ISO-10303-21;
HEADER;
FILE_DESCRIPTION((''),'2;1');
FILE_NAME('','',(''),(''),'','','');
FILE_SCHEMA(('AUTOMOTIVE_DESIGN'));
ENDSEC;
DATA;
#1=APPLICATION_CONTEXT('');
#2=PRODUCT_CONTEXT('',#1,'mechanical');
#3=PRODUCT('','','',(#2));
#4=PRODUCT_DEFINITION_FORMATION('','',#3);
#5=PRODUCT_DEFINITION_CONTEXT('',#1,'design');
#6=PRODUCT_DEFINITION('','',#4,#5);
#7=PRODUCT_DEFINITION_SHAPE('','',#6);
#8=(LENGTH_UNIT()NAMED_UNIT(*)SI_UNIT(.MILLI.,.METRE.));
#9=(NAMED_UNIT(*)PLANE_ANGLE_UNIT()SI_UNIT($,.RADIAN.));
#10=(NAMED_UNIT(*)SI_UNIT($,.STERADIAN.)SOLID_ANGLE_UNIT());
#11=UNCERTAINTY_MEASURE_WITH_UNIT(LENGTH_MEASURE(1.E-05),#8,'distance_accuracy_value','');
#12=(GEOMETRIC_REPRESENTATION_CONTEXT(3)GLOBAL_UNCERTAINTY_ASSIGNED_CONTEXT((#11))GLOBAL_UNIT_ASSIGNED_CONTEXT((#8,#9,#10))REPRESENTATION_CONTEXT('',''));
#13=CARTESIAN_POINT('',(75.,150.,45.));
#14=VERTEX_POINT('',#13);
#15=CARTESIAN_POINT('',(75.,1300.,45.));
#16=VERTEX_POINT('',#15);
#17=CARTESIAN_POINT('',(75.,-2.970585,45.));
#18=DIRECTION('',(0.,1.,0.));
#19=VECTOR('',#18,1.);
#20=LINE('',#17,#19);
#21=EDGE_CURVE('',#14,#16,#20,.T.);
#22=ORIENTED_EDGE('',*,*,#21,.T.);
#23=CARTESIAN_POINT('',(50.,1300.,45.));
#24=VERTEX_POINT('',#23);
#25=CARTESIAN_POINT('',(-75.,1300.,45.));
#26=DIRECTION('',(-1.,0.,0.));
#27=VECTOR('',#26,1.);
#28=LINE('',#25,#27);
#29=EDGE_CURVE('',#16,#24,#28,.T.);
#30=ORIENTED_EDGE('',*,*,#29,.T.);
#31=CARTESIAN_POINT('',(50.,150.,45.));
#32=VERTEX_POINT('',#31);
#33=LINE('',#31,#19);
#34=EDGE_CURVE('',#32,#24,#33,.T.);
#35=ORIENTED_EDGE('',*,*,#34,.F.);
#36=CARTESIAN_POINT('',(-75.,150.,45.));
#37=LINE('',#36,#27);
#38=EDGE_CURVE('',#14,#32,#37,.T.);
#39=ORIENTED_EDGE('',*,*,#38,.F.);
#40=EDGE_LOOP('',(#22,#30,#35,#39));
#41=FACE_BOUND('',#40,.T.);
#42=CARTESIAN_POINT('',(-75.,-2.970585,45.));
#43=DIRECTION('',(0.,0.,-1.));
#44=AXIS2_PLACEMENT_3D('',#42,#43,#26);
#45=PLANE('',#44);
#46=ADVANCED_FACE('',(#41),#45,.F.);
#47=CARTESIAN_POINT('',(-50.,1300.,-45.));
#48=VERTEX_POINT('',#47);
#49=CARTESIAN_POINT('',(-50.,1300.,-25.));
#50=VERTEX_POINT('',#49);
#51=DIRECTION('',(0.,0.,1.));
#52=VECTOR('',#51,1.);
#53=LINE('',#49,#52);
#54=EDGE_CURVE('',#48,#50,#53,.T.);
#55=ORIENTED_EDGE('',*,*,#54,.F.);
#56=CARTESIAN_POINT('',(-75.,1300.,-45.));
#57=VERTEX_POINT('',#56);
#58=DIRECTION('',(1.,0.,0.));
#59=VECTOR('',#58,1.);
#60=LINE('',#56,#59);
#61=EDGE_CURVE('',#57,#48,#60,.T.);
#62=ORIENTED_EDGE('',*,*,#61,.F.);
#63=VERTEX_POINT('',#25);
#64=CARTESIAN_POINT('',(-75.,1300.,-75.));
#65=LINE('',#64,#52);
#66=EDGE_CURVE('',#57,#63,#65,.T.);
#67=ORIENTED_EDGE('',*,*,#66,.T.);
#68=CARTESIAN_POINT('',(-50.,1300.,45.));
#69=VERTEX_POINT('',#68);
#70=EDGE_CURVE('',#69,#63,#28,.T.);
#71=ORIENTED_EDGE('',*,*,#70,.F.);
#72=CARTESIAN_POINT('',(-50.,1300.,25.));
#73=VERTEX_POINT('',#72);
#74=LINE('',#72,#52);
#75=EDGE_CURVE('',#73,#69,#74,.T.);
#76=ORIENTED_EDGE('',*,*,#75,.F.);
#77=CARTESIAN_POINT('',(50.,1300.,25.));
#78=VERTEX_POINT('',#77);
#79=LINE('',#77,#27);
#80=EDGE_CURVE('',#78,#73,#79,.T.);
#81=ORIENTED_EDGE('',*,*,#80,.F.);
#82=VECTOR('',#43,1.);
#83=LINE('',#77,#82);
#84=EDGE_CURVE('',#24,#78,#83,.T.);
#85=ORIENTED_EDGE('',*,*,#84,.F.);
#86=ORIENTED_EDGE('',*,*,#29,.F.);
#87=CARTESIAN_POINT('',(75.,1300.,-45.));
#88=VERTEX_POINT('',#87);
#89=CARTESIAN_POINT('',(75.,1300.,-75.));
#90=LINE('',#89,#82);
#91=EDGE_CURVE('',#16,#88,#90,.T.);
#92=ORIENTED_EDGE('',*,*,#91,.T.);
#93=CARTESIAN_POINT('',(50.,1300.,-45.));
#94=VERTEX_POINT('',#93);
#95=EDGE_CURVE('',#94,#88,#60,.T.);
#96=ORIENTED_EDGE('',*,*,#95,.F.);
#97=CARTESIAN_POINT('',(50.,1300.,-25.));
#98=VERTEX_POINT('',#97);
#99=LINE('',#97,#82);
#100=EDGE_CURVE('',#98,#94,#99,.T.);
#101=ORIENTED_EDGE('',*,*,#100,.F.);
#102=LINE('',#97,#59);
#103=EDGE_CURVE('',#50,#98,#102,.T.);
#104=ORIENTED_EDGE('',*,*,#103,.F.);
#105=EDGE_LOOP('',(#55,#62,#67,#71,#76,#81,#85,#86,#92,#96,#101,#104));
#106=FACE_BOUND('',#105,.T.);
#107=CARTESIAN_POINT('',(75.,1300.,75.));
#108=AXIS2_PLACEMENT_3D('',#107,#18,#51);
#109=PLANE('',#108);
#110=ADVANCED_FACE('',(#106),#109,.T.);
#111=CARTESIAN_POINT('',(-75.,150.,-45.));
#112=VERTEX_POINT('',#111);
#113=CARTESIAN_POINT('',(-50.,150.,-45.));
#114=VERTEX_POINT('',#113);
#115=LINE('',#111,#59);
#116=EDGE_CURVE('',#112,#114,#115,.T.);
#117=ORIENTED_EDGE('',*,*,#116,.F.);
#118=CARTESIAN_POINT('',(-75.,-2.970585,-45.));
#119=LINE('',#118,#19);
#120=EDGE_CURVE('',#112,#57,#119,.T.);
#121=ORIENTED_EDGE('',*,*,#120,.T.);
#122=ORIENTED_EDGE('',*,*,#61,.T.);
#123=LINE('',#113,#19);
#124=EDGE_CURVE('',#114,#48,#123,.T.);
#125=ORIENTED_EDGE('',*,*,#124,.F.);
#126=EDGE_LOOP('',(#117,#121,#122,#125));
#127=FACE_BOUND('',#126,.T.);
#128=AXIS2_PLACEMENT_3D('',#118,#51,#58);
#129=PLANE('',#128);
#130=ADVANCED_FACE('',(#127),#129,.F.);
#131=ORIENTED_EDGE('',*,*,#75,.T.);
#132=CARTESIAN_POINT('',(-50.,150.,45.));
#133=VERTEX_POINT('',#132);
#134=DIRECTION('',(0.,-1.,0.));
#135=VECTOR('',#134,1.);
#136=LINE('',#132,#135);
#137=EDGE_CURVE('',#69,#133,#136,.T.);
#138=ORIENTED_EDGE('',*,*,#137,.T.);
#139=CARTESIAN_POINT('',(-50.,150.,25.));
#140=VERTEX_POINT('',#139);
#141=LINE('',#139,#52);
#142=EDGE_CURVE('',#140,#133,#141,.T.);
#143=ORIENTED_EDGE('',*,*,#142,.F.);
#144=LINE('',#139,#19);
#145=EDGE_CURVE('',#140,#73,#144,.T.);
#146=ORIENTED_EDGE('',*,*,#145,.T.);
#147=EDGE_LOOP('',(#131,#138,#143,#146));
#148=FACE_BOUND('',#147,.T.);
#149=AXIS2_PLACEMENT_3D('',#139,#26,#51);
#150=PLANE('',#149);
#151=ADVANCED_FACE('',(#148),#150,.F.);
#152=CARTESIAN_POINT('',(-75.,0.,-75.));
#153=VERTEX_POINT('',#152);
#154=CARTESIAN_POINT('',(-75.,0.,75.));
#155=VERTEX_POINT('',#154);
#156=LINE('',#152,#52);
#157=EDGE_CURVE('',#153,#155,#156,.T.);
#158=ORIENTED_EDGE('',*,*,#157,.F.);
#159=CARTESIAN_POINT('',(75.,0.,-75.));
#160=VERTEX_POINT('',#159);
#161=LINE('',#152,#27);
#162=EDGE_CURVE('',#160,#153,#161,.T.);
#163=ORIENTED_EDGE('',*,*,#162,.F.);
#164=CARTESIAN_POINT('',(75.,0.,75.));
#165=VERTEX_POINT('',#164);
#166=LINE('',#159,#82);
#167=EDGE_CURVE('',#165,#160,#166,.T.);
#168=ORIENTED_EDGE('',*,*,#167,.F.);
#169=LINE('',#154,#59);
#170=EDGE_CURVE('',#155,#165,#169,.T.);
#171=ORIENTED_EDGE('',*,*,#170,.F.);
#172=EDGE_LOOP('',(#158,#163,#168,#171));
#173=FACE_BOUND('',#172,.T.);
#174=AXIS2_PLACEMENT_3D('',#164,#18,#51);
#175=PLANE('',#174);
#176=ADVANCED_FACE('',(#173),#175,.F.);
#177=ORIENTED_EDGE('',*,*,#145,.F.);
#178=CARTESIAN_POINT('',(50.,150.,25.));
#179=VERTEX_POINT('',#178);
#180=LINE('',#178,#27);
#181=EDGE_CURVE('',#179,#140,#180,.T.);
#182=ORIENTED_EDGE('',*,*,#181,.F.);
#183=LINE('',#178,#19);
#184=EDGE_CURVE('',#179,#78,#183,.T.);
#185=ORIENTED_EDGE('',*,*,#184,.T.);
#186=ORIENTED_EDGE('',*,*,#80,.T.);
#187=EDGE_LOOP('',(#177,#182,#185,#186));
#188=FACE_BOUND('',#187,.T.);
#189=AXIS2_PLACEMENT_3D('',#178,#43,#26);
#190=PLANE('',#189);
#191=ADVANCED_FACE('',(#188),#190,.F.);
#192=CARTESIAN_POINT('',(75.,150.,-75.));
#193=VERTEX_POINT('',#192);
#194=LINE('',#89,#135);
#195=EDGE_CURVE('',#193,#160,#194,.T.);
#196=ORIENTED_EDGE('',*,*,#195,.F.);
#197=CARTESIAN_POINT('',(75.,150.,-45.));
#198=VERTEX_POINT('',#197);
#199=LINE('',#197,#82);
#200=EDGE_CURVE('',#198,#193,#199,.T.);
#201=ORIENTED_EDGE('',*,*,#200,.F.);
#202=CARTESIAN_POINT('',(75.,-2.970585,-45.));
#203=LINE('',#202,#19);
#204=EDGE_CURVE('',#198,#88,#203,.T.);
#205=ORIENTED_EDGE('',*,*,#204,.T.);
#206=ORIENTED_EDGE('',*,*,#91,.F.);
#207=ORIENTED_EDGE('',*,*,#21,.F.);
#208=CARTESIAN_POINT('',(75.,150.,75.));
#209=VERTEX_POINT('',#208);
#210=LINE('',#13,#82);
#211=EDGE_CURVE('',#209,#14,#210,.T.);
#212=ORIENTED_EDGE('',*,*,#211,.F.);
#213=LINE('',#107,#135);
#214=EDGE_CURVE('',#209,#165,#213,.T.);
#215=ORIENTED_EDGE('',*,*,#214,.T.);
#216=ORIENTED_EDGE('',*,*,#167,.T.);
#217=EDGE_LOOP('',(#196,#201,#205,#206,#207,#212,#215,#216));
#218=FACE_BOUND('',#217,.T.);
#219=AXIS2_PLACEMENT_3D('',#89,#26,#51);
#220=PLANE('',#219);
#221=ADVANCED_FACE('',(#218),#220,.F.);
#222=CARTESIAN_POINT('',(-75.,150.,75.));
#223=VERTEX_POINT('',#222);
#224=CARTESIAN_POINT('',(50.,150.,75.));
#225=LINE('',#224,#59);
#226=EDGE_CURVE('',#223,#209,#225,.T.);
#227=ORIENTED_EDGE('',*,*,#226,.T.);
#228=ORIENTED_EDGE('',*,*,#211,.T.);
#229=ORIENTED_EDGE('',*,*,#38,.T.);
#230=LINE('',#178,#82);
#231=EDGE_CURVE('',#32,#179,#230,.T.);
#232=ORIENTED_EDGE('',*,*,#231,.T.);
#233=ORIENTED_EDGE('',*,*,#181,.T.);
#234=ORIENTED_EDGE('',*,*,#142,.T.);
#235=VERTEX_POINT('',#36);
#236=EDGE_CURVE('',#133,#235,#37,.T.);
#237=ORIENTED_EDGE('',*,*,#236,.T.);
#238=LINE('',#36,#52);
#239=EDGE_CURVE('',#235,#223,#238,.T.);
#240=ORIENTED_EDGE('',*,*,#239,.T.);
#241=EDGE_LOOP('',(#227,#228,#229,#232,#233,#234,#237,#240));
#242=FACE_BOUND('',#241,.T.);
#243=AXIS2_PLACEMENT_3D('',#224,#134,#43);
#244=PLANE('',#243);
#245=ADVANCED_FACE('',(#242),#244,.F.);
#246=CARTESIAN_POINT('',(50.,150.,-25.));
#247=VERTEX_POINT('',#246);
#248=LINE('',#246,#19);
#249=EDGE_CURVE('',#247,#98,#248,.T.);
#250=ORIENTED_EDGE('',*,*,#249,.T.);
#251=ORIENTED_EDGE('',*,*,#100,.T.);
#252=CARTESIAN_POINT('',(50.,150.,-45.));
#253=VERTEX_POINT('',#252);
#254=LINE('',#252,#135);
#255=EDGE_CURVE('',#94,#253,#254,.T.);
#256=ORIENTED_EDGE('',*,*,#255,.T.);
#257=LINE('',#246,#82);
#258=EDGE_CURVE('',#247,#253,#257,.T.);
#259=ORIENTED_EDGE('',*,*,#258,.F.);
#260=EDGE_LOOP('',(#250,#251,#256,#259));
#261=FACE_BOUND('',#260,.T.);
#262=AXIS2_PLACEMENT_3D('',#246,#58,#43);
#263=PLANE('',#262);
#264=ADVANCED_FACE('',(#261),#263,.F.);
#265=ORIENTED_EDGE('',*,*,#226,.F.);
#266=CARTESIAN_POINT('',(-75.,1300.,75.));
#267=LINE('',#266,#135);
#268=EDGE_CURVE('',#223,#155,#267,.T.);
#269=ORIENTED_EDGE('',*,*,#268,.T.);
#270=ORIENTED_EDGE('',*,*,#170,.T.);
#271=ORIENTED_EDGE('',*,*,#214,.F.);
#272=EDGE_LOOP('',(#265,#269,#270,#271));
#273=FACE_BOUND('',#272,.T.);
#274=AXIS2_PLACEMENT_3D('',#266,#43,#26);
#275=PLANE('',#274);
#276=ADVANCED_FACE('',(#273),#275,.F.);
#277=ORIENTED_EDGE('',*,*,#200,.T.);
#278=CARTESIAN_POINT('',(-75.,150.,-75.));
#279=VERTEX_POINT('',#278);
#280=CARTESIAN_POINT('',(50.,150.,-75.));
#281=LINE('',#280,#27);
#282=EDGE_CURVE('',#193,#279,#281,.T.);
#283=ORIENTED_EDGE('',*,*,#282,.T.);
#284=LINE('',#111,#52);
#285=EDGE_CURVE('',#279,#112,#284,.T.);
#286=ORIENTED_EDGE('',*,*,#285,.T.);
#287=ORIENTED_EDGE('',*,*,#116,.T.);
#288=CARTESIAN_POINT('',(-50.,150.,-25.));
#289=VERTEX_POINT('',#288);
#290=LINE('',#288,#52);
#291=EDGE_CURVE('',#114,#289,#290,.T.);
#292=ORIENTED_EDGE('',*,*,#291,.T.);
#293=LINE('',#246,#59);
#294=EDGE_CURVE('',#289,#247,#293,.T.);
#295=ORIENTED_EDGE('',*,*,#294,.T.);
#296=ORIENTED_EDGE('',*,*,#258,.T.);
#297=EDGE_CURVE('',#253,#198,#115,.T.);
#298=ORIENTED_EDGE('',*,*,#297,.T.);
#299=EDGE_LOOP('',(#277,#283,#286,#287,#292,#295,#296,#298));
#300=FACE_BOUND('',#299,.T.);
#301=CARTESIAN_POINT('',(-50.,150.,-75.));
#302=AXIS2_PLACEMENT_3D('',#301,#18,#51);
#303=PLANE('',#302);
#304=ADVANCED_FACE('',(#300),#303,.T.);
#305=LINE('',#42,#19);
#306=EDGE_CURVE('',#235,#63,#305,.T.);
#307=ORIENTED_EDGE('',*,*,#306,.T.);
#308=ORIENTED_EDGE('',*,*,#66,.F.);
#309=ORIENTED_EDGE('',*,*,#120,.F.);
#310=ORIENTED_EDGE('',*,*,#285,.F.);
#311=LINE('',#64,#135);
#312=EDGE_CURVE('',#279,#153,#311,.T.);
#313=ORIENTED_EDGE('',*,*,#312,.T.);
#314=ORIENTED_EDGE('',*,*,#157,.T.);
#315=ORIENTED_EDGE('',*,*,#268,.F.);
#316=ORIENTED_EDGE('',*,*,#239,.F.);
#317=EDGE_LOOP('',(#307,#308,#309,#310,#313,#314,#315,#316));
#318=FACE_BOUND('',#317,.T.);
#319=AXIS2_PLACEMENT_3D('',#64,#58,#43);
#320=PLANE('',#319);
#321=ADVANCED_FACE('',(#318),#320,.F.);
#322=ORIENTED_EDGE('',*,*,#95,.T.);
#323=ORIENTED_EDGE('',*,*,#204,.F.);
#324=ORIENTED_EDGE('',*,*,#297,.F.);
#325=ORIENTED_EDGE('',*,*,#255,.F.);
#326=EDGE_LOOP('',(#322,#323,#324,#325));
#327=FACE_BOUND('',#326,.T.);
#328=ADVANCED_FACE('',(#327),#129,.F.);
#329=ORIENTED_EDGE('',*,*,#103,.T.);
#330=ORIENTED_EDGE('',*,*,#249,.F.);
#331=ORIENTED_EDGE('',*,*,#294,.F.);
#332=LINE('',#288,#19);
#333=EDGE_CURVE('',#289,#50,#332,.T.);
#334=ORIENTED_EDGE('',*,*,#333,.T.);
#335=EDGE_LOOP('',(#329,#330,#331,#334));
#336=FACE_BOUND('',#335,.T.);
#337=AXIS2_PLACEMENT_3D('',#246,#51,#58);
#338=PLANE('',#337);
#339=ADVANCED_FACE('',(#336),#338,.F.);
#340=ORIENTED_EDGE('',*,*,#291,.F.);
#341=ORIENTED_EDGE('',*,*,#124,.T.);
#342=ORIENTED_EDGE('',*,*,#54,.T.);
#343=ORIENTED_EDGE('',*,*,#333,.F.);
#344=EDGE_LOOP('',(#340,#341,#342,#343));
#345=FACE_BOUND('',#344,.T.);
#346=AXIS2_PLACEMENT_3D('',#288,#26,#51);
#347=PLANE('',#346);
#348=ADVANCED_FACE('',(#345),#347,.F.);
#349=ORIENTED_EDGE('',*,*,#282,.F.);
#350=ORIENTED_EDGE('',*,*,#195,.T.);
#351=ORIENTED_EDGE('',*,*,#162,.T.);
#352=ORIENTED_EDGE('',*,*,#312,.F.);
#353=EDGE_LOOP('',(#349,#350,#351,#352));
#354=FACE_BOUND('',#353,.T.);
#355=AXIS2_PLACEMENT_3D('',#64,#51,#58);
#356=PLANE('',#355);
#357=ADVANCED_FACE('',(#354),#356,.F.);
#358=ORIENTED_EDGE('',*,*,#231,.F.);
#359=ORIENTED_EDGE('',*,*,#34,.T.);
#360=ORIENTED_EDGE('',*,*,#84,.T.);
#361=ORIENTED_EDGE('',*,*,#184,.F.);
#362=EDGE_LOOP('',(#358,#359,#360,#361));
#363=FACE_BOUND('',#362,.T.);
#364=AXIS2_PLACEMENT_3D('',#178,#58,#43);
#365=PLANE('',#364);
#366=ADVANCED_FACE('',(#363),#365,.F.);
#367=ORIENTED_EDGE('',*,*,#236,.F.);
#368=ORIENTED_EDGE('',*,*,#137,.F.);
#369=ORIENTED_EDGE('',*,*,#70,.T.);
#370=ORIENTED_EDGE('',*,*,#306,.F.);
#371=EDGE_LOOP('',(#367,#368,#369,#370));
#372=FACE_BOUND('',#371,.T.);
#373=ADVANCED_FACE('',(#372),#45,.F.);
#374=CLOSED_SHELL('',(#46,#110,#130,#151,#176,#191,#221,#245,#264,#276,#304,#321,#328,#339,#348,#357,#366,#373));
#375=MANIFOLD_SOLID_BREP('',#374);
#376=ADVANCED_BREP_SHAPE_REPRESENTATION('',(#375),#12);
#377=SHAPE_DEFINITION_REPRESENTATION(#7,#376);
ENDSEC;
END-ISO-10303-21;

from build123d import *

# Parameters (mm, degrees)
SKETCH2_W           = 150
SKETCH2_H           = 150
BOSS_EXTRUDE1_DEPTH = 1300
SKETCH3_W           = 100
SKETCH3_H           = 50
CUT_EXTRUDE3_DEPTH  = 1150
SKETCH4_W           = 150
SKETCH4_H           = 30
CUT_EXTRUDE4_DEPTH  = 1150


with BuildPart() as part:
    # Sketch2 → Boss-Extrude1 (new body)
    with BuildSketch(Plane(origin=(0, 0, 0), x_dir=(1, 0, 0), z_dir=(0, 1, 0))):
        Rectangle(SKETCH2_W, SKETCH2_H)
    extrude(amount=BOSS_EXTRUDE1_DEPTH)

    # Sketch3 → Cut-Extrude3 (cut)
    with BuildSketch(Plane(origin=(0, 1300, 0), x_dir=(-1, 0, 0), z_dir=(0, 1, 0))):
        with Locations((0, -50)):
            Rectangle(SKETCH3_W, SKETCH3_H)
        with Locations((0, 50)):
            Rectangle(SKETCH3_W, SKETCH3_H)
    extrude(amount=-CUT_EXTRUDE3_DEPTH, mode=Mode.SUBTRACT)

    # Sketch4 → Cut-Extrude4 (cut)
    with BuildSketch(Plane(origin=(0, 1300, 0), x_dir=(-1, 0, 0), z_dir=(0, 1, 0))):
        with Locations((0, -60)):
            Rectangle(SKETCH4_W, SKETCH4_H)
        with Locations((0, 60)):
            Rectangle(SKETCH4_W, SKETCH4_H)
    extrude(amount=-CUT_EXTRUDE4_DEPTH, mode=Mode.SUBTRACT)


solid = part.part
